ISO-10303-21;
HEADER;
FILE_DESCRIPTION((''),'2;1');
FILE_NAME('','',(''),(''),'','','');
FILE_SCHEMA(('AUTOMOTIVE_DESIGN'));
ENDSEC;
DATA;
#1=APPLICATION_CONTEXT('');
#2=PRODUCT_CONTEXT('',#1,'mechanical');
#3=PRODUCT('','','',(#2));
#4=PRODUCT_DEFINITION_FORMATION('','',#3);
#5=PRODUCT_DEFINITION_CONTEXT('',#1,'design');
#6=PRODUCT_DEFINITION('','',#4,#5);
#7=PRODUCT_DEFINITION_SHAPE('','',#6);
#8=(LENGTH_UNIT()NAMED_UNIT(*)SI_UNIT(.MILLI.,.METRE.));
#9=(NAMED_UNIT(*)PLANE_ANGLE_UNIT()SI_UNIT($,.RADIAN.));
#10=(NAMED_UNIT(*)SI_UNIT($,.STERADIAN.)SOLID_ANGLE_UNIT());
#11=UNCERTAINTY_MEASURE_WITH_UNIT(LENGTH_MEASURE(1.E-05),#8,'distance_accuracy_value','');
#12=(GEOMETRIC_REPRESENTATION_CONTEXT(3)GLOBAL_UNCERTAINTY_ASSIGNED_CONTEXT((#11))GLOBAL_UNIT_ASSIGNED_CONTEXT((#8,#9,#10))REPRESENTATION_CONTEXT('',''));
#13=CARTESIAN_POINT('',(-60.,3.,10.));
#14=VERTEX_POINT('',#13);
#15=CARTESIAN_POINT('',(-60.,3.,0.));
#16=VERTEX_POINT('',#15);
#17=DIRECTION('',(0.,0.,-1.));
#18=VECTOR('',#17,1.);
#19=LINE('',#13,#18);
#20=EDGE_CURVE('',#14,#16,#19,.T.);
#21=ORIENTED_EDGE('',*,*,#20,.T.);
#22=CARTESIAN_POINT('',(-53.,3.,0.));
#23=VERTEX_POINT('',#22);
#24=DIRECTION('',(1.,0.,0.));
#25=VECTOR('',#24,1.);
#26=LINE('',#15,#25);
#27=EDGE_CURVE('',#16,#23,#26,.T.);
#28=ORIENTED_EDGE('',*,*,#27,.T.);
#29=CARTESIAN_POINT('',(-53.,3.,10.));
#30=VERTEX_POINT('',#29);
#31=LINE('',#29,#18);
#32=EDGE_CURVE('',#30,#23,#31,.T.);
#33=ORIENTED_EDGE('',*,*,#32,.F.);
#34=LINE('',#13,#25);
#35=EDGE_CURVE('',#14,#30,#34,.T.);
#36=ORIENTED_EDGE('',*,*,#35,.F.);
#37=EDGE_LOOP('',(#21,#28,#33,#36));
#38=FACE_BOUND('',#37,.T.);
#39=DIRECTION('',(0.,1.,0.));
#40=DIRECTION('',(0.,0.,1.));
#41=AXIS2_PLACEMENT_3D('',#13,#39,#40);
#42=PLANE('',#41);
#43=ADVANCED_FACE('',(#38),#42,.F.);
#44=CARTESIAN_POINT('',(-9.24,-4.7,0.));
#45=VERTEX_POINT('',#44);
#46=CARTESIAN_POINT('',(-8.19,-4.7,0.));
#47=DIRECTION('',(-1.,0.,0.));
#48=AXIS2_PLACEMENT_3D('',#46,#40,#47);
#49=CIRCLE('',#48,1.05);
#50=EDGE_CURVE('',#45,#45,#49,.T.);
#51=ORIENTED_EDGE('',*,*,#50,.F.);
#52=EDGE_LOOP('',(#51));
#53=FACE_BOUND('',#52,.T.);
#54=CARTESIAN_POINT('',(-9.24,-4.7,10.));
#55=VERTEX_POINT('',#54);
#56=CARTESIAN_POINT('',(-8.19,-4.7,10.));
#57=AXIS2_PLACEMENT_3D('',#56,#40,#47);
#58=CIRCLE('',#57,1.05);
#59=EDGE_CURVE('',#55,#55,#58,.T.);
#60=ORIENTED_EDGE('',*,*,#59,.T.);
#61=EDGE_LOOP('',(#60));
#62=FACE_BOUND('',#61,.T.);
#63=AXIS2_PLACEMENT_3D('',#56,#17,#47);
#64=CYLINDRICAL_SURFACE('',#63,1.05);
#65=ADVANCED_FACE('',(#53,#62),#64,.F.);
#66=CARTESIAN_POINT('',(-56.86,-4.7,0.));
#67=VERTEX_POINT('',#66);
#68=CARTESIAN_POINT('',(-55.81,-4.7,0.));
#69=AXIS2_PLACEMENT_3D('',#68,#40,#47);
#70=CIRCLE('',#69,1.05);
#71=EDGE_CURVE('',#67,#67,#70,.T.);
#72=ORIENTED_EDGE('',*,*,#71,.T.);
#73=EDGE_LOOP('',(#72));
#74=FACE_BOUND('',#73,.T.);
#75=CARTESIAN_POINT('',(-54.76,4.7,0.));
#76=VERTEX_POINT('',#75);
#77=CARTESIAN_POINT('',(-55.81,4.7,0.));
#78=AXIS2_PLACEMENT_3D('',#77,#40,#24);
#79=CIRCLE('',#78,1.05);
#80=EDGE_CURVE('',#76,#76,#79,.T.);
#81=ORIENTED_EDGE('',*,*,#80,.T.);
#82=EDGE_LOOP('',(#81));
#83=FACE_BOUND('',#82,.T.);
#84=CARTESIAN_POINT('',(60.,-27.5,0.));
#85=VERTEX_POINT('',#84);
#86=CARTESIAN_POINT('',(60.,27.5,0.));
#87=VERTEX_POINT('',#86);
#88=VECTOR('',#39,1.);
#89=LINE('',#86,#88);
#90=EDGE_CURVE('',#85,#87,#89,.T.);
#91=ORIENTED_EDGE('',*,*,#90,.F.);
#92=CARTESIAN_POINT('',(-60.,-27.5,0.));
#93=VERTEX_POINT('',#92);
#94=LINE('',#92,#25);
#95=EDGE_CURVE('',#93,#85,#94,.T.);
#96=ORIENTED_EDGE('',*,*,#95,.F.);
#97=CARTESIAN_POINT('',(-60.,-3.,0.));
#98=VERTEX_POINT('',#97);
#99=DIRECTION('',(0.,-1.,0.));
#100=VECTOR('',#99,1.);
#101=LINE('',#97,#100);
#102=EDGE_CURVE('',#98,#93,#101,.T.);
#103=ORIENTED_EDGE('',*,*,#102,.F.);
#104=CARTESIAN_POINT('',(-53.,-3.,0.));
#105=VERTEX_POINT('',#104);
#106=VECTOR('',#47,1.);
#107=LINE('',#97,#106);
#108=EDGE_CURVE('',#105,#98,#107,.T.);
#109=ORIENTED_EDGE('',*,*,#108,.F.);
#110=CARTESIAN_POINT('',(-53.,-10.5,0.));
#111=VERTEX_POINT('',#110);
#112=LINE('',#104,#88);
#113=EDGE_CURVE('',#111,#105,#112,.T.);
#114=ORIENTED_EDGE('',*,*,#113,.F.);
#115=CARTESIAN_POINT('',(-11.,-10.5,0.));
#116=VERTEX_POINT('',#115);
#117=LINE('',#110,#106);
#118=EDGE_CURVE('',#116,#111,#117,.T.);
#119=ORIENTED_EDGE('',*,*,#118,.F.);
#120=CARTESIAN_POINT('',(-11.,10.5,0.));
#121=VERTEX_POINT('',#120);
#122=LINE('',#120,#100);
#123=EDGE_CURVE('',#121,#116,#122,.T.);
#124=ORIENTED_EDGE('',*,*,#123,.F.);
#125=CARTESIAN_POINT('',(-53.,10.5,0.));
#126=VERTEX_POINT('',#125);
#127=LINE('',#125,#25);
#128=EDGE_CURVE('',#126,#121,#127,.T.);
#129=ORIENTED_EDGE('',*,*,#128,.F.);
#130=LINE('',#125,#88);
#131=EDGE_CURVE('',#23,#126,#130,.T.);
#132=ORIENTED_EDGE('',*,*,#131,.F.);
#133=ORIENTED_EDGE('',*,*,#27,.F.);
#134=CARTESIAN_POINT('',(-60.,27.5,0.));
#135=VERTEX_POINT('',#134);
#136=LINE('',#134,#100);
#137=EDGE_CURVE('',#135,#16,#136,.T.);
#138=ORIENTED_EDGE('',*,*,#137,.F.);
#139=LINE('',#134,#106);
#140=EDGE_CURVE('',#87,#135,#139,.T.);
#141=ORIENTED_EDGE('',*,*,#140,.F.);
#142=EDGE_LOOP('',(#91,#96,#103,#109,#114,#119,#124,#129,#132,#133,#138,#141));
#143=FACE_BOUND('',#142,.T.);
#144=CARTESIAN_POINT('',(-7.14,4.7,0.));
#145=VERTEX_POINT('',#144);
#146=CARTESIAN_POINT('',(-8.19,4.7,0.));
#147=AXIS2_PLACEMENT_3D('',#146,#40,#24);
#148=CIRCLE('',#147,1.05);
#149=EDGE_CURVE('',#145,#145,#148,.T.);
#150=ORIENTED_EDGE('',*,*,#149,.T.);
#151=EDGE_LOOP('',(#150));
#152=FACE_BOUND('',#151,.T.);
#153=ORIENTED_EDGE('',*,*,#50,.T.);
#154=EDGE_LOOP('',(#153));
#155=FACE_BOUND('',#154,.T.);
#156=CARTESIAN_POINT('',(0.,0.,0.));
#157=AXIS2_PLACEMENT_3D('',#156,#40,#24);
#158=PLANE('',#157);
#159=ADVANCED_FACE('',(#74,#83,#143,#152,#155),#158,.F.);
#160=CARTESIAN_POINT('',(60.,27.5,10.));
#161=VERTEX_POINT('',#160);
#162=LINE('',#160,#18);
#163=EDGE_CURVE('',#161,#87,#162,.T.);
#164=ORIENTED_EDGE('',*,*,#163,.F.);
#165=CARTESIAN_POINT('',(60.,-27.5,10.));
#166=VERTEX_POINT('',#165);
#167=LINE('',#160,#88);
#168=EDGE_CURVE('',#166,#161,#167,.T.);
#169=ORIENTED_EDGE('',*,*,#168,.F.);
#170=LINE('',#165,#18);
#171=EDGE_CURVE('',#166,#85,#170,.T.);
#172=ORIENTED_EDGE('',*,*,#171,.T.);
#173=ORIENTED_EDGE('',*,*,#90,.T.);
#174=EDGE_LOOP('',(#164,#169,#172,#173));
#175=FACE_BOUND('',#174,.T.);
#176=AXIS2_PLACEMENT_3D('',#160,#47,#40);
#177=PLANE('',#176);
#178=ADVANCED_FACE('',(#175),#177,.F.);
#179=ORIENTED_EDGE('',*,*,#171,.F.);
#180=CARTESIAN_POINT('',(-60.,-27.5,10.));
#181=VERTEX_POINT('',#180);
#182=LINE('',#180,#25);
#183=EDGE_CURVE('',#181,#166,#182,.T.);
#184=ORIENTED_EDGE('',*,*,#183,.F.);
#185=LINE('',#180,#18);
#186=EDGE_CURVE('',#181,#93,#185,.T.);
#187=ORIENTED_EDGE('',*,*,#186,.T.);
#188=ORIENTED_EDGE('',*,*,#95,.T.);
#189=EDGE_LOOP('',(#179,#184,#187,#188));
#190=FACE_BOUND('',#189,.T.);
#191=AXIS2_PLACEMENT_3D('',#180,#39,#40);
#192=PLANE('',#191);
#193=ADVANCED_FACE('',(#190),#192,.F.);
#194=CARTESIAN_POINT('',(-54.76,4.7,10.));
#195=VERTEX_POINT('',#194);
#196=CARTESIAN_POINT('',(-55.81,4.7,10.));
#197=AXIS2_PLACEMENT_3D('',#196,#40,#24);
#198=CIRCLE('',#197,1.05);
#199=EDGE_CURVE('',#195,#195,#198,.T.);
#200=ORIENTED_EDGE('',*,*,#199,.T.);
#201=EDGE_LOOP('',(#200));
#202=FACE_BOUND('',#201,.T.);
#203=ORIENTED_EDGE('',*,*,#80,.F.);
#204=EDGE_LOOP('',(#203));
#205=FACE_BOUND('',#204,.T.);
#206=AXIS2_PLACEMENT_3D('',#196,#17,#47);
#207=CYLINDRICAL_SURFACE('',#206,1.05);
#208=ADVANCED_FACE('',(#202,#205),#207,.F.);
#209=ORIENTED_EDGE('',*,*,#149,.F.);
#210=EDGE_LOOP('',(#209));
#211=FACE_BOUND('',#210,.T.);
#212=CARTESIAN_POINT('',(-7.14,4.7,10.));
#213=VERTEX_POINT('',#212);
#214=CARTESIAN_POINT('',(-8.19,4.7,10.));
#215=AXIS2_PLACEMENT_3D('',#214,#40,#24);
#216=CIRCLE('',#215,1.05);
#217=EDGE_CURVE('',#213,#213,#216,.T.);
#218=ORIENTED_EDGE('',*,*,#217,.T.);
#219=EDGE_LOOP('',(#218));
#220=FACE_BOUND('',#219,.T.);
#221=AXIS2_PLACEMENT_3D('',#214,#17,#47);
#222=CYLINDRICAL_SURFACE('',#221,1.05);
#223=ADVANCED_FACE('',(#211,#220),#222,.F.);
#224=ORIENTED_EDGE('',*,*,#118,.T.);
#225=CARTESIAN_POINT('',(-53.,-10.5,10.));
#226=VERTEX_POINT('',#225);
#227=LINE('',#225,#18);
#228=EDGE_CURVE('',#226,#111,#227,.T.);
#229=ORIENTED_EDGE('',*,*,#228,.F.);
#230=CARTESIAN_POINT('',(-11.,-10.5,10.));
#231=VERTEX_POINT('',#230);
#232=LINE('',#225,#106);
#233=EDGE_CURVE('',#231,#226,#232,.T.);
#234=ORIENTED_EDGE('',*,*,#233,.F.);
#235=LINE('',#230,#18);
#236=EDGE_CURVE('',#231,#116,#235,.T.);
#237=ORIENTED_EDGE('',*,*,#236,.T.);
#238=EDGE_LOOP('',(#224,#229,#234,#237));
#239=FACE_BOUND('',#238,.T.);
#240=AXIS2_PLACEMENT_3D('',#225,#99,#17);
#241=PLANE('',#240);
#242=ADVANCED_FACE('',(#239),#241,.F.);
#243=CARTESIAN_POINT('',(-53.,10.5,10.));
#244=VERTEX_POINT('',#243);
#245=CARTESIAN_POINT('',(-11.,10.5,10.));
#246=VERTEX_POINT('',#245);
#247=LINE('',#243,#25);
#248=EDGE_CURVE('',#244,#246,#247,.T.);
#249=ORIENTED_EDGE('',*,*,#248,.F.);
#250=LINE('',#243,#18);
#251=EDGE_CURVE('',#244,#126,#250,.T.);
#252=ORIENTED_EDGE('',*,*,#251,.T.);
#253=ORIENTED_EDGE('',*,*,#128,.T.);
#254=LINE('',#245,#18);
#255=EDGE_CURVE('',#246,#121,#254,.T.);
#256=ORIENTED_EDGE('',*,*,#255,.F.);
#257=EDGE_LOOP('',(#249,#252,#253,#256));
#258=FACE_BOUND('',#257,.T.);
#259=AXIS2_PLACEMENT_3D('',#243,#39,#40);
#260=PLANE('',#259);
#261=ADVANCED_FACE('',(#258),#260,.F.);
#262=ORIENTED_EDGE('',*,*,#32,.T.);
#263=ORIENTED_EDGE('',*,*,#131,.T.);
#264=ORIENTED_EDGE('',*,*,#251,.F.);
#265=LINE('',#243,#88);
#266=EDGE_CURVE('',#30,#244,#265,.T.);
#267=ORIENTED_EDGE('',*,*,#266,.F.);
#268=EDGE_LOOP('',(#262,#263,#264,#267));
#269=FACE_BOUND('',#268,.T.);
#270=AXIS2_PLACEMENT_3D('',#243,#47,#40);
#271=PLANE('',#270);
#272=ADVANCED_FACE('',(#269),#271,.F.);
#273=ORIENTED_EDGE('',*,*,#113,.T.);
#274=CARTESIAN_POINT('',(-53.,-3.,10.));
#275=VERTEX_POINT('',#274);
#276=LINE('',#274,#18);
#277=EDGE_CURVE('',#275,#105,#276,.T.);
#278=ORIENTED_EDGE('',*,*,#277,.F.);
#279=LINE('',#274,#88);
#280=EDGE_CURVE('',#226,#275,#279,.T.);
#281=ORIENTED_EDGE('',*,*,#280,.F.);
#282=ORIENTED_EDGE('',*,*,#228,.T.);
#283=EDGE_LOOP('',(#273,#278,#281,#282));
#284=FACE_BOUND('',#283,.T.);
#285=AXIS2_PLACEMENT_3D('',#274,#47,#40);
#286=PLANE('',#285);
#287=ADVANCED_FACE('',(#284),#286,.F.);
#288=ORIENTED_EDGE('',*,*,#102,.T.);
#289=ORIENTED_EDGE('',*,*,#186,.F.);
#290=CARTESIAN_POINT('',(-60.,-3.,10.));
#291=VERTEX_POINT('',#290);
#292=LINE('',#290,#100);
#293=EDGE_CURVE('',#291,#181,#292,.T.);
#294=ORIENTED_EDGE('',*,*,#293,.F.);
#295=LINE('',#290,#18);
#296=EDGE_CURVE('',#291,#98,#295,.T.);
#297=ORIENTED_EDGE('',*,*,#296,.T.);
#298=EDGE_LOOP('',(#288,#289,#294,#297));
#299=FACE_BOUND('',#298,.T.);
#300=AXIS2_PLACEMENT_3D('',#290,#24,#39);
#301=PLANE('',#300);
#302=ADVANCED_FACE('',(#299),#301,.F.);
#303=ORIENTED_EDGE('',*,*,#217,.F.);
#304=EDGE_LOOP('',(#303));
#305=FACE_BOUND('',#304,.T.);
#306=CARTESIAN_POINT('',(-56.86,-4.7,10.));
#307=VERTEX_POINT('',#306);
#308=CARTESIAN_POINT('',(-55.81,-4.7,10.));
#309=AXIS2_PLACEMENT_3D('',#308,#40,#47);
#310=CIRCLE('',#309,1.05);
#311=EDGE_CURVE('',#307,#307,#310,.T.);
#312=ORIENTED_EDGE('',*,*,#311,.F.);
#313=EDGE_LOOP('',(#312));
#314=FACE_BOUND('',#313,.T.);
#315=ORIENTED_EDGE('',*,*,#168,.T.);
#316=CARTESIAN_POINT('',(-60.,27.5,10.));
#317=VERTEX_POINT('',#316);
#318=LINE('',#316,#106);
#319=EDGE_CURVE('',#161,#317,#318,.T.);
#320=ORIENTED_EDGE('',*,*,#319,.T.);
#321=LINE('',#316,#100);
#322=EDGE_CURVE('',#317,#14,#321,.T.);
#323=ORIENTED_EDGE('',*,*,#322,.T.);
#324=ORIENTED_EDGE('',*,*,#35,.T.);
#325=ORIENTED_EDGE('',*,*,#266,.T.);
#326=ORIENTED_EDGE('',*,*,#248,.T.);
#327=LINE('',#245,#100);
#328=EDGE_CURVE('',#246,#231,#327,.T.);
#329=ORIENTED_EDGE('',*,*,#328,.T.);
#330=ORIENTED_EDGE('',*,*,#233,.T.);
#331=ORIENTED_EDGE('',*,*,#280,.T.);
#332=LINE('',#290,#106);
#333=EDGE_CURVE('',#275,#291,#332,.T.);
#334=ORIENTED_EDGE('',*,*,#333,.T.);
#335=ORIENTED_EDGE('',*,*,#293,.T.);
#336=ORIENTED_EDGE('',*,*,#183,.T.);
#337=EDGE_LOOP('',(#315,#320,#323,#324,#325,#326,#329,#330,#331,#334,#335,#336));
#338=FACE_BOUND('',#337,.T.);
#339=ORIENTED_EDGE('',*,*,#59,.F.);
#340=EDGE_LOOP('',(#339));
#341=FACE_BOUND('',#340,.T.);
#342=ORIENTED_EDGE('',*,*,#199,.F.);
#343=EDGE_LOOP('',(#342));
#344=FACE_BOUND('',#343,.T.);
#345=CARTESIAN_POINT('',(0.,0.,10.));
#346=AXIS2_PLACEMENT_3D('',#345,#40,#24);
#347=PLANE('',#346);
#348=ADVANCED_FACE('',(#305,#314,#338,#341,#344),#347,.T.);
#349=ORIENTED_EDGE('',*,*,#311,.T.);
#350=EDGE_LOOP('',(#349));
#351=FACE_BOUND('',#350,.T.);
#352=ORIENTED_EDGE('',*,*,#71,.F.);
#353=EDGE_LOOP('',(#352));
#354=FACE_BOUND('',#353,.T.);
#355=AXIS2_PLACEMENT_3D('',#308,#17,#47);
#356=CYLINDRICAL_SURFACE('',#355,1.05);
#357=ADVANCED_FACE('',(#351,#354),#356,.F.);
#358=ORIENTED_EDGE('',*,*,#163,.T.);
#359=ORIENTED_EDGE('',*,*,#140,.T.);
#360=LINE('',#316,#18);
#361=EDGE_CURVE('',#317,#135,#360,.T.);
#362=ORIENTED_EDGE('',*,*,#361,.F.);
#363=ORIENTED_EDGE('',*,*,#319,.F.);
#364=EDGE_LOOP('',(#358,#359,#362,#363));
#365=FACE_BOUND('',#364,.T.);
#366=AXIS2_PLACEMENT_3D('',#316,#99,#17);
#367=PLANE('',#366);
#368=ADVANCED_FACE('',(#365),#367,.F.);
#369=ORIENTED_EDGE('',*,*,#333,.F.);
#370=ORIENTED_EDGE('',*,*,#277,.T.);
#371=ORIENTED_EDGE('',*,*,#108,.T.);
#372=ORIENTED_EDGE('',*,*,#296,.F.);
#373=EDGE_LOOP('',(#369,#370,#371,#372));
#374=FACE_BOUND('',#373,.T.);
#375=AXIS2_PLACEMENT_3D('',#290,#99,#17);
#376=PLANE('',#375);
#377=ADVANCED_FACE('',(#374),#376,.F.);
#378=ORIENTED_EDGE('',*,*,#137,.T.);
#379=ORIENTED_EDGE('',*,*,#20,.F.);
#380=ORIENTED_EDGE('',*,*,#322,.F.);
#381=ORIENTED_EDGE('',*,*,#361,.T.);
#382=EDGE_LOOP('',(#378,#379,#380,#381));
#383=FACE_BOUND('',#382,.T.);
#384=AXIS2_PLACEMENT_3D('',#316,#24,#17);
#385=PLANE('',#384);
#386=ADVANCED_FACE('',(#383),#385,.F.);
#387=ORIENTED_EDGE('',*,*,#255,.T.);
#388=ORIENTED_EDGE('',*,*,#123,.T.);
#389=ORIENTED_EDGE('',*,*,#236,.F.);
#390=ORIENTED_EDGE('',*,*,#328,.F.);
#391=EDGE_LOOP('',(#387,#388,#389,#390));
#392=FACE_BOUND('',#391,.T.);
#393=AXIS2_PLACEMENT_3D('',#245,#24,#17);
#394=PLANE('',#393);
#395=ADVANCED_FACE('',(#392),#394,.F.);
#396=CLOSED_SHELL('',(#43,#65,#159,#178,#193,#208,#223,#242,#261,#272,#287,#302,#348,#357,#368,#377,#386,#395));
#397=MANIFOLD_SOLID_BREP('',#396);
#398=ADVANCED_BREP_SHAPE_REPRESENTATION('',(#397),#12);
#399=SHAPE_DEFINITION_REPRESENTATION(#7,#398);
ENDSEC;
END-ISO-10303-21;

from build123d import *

# Parameters (mm, degrees)
SKETCH_1_R      = 1.05
EXTRUDE_1_DEPTH = 10


with BuildPart() as part:
    # 草圖1 → 填料-伸長1 (new body)
    with BuildSketch(Plane.XY):
        Polygon((-60, 27.5), (60, 27.5), (60, -27.5), (-60, -27.5), (-60, -3), (-53, -3), (-53, -10.5), (-11, -10.5), (-11, 10.5), (-53, 10.5), (-53, 3), (-60, 3), align=None)
        with Locations((-55.81, 4.7)):
            Circle(SKETCH_1_R, mode=Mode.SUBTRACT)
        with Locations((-8.19, 4.7)):
            Circle(SKETCH_1_R, mode=Mode.SUBTRACT)
        with Locations((-55.81, -4.7)):
            Circle(SKETCH_1_R, mode=Mode.SUBTRACT)
        with Locations((-8.19, -4.7)):
            Circle(SKETCH_1_R, mode=Mode.SUBTRACT)
    extrude(amount=EXTRUDE_1_DEPTH)


solid = part.part
